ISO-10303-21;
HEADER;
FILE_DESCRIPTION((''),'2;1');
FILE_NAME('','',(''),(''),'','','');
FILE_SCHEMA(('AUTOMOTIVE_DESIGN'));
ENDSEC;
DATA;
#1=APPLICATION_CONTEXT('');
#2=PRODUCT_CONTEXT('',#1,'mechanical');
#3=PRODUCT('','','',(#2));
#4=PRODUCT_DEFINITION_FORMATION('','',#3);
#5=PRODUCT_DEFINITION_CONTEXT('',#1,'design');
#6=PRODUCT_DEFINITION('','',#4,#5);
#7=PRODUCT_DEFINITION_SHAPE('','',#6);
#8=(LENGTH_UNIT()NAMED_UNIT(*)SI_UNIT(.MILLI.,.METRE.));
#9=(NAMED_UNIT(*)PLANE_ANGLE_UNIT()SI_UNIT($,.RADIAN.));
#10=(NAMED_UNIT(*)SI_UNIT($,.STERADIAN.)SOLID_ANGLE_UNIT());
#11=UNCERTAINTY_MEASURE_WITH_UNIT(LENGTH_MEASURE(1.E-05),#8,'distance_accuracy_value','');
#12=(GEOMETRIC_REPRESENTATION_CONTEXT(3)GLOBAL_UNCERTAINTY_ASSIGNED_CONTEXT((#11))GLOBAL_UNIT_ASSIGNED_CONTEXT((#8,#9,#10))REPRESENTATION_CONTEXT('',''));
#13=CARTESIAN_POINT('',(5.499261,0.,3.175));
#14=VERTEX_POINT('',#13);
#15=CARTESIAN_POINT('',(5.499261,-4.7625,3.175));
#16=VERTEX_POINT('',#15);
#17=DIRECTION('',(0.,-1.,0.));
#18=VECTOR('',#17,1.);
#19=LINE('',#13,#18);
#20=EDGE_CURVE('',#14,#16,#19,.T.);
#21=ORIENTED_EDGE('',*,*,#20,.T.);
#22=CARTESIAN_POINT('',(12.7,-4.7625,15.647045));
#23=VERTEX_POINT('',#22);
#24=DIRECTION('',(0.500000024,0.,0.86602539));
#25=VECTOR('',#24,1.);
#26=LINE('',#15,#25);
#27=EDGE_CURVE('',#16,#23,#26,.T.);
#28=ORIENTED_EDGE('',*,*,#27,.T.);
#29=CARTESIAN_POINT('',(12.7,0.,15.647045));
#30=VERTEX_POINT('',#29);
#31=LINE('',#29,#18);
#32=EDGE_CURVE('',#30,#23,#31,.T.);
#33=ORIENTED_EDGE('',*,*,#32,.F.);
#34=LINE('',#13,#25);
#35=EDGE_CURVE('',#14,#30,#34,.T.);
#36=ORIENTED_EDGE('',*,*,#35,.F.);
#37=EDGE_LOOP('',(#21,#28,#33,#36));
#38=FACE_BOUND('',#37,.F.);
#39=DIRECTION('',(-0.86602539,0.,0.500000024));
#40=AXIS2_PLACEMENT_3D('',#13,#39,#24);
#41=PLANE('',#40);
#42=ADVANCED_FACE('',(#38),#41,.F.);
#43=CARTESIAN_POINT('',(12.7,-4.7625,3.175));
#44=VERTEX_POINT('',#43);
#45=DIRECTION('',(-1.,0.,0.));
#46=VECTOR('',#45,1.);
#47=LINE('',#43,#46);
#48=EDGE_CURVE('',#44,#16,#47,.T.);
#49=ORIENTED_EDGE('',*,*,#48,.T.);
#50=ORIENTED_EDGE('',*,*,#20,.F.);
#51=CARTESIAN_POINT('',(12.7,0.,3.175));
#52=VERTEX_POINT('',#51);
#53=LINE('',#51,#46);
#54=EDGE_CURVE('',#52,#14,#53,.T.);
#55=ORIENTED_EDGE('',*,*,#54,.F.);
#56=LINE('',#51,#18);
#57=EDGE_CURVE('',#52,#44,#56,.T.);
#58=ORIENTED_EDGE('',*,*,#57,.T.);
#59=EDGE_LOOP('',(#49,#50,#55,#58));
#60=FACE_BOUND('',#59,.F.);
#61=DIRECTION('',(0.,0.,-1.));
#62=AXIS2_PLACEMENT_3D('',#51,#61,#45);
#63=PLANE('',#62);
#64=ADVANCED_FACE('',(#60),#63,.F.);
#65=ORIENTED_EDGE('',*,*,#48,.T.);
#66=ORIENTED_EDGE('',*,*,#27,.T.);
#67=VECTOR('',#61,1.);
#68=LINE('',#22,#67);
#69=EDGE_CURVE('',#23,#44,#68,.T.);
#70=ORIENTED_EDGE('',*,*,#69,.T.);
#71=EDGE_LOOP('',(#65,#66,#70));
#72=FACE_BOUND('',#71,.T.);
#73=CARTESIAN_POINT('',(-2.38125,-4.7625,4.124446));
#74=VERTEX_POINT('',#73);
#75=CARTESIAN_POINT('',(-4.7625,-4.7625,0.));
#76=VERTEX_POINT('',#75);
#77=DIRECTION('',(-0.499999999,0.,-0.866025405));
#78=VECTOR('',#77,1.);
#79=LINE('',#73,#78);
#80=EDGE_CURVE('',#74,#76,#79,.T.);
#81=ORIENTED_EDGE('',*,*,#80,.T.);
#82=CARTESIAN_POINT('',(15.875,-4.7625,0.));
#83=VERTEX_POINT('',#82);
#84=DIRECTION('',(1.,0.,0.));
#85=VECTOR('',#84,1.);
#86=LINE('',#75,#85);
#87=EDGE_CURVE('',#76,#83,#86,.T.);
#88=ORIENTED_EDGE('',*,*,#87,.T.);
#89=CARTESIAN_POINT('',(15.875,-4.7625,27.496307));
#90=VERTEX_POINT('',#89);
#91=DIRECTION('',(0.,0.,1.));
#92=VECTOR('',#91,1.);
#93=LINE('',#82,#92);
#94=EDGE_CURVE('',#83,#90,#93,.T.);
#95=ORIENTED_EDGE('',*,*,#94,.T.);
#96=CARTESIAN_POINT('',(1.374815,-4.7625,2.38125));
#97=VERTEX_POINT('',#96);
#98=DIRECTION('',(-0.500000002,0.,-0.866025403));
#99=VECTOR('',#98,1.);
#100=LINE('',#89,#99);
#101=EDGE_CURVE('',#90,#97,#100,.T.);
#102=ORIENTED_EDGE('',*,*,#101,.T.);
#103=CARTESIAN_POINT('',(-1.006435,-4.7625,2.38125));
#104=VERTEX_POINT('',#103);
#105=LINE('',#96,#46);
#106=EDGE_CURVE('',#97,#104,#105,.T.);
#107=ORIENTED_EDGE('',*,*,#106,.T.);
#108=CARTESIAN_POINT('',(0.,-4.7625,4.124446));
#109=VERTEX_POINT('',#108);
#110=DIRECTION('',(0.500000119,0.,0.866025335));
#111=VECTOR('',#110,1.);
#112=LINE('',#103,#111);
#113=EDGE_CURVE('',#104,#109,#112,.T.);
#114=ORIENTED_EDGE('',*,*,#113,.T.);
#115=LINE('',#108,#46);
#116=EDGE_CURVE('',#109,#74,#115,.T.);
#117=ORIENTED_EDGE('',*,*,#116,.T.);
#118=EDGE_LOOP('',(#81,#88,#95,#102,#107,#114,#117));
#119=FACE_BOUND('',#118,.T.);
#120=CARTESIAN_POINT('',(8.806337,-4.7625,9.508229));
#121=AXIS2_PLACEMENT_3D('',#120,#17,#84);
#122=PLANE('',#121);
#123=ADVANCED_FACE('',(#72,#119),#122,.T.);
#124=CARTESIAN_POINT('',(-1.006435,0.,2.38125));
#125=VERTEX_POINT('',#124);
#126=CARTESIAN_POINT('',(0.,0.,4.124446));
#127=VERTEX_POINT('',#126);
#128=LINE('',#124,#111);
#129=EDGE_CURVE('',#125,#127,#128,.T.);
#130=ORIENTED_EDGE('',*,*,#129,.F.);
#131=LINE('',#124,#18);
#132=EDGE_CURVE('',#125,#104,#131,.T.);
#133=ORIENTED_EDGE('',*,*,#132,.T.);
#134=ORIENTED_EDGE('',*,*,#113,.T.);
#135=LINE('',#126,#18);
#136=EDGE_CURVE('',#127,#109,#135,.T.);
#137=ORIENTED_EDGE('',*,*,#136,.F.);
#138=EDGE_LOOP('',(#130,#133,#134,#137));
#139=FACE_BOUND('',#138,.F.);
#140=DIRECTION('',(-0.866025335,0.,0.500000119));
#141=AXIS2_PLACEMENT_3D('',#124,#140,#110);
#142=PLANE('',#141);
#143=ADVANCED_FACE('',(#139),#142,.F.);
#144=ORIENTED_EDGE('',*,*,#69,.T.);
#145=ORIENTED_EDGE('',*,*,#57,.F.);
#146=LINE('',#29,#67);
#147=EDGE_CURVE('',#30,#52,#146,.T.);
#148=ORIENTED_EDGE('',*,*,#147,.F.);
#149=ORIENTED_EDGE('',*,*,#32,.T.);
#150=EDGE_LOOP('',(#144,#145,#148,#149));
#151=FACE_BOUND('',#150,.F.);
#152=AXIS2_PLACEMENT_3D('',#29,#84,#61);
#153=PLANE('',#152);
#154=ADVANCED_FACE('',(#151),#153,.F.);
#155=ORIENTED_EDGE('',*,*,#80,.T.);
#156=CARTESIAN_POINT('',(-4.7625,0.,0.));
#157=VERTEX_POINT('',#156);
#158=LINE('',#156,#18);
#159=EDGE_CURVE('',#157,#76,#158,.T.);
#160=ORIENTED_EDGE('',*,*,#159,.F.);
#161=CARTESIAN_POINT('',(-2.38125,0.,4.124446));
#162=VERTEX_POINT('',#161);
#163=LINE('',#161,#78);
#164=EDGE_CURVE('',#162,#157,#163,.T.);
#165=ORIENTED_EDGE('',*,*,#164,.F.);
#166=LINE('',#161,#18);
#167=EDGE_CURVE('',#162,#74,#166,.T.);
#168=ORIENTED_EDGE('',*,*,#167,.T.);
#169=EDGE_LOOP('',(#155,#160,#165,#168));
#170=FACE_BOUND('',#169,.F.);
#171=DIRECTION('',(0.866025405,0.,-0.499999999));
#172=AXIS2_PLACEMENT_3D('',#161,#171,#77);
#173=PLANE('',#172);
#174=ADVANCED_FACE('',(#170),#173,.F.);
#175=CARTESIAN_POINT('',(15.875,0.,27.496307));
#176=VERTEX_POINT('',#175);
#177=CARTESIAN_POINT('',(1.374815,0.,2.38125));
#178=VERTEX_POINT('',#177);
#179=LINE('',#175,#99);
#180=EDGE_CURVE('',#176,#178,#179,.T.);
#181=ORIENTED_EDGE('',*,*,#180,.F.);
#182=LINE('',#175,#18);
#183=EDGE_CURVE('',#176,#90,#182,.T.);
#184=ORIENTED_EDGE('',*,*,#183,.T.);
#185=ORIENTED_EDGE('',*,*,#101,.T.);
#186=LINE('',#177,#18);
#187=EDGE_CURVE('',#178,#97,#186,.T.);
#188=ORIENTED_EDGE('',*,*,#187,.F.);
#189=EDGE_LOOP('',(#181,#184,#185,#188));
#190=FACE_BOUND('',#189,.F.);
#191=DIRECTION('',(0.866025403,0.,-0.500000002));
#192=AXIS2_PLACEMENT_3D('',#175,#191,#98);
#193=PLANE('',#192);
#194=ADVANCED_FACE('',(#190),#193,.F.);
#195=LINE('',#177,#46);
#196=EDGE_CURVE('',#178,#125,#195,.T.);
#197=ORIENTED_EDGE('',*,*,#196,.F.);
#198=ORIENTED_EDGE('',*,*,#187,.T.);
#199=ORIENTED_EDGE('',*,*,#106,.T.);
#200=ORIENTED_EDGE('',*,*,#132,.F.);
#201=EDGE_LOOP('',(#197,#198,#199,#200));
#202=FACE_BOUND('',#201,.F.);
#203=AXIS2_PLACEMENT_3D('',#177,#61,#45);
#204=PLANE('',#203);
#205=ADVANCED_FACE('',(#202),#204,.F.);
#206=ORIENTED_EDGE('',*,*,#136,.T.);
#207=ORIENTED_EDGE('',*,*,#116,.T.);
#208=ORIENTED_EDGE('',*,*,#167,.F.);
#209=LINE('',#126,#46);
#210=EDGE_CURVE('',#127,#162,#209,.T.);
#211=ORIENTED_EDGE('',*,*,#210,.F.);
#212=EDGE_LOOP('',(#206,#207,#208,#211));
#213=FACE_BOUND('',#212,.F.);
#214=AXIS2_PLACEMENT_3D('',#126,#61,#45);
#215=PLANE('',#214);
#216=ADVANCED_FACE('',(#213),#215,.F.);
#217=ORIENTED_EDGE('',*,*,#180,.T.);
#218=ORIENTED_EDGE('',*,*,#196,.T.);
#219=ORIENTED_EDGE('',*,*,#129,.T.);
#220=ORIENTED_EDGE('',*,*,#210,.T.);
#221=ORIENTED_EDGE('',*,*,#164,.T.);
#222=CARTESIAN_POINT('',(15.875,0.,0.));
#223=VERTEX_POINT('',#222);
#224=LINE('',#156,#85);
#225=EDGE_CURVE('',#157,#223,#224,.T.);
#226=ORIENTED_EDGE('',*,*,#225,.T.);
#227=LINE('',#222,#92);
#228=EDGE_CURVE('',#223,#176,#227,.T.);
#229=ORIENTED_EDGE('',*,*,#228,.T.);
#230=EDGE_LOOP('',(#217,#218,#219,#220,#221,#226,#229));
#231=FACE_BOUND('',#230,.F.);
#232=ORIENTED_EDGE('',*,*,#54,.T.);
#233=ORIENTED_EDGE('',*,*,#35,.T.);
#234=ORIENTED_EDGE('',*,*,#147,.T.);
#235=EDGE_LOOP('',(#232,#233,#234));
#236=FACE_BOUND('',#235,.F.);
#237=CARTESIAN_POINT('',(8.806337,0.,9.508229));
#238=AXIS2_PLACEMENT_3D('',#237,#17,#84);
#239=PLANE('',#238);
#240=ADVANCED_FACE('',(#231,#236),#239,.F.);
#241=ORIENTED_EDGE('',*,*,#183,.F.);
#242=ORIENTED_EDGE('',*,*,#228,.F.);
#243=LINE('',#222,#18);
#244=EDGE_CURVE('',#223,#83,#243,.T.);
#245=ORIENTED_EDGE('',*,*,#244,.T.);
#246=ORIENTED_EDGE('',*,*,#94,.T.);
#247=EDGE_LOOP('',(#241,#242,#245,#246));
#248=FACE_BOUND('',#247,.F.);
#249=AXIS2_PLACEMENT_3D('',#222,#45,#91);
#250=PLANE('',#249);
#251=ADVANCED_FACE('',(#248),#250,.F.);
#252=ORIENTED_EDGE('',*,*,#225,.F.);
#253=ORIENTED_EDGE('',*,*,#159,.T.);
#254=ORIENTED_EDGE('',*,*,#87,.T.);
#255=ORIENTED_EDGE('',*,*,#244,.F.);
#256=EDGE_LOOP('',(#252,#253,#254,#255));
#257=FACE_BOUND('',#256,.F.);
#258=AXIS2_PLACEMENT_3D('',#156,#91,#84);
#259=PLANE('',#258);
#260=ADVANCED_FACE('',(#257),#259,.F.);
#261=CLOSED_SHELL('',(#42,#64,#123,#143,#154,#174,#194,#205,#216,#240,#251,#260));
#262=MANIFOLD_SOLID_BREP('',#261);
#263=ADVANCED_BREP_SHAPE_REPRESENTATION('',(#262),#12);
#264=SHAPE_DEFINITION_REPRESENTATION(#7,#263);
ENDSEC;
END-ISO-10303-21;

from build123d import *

# Parameters (mm, degrees)
F1_DEPTH = 4.7625


with BuildPart() as f1:
    # F0 (on Front) → F1 (new body)
    with BuildSketch(Plane.XZ):
        Polygon((-4.7625, 0), (0, 0), (15.875, 0), (15.875, 27.496307), (1.374815, 2.38125), (-1.006435, 2.38125), (0, 4.124446), (-2.38125, 4.124446), align=None)
        Polygon((12.7, 3.175), (5.499261, 3.175), (12.7, 15.647045), align=None, mode=Mode.SUBTRACT)
    extrude(amount=F1_DEPTH)


solid = f1.part
